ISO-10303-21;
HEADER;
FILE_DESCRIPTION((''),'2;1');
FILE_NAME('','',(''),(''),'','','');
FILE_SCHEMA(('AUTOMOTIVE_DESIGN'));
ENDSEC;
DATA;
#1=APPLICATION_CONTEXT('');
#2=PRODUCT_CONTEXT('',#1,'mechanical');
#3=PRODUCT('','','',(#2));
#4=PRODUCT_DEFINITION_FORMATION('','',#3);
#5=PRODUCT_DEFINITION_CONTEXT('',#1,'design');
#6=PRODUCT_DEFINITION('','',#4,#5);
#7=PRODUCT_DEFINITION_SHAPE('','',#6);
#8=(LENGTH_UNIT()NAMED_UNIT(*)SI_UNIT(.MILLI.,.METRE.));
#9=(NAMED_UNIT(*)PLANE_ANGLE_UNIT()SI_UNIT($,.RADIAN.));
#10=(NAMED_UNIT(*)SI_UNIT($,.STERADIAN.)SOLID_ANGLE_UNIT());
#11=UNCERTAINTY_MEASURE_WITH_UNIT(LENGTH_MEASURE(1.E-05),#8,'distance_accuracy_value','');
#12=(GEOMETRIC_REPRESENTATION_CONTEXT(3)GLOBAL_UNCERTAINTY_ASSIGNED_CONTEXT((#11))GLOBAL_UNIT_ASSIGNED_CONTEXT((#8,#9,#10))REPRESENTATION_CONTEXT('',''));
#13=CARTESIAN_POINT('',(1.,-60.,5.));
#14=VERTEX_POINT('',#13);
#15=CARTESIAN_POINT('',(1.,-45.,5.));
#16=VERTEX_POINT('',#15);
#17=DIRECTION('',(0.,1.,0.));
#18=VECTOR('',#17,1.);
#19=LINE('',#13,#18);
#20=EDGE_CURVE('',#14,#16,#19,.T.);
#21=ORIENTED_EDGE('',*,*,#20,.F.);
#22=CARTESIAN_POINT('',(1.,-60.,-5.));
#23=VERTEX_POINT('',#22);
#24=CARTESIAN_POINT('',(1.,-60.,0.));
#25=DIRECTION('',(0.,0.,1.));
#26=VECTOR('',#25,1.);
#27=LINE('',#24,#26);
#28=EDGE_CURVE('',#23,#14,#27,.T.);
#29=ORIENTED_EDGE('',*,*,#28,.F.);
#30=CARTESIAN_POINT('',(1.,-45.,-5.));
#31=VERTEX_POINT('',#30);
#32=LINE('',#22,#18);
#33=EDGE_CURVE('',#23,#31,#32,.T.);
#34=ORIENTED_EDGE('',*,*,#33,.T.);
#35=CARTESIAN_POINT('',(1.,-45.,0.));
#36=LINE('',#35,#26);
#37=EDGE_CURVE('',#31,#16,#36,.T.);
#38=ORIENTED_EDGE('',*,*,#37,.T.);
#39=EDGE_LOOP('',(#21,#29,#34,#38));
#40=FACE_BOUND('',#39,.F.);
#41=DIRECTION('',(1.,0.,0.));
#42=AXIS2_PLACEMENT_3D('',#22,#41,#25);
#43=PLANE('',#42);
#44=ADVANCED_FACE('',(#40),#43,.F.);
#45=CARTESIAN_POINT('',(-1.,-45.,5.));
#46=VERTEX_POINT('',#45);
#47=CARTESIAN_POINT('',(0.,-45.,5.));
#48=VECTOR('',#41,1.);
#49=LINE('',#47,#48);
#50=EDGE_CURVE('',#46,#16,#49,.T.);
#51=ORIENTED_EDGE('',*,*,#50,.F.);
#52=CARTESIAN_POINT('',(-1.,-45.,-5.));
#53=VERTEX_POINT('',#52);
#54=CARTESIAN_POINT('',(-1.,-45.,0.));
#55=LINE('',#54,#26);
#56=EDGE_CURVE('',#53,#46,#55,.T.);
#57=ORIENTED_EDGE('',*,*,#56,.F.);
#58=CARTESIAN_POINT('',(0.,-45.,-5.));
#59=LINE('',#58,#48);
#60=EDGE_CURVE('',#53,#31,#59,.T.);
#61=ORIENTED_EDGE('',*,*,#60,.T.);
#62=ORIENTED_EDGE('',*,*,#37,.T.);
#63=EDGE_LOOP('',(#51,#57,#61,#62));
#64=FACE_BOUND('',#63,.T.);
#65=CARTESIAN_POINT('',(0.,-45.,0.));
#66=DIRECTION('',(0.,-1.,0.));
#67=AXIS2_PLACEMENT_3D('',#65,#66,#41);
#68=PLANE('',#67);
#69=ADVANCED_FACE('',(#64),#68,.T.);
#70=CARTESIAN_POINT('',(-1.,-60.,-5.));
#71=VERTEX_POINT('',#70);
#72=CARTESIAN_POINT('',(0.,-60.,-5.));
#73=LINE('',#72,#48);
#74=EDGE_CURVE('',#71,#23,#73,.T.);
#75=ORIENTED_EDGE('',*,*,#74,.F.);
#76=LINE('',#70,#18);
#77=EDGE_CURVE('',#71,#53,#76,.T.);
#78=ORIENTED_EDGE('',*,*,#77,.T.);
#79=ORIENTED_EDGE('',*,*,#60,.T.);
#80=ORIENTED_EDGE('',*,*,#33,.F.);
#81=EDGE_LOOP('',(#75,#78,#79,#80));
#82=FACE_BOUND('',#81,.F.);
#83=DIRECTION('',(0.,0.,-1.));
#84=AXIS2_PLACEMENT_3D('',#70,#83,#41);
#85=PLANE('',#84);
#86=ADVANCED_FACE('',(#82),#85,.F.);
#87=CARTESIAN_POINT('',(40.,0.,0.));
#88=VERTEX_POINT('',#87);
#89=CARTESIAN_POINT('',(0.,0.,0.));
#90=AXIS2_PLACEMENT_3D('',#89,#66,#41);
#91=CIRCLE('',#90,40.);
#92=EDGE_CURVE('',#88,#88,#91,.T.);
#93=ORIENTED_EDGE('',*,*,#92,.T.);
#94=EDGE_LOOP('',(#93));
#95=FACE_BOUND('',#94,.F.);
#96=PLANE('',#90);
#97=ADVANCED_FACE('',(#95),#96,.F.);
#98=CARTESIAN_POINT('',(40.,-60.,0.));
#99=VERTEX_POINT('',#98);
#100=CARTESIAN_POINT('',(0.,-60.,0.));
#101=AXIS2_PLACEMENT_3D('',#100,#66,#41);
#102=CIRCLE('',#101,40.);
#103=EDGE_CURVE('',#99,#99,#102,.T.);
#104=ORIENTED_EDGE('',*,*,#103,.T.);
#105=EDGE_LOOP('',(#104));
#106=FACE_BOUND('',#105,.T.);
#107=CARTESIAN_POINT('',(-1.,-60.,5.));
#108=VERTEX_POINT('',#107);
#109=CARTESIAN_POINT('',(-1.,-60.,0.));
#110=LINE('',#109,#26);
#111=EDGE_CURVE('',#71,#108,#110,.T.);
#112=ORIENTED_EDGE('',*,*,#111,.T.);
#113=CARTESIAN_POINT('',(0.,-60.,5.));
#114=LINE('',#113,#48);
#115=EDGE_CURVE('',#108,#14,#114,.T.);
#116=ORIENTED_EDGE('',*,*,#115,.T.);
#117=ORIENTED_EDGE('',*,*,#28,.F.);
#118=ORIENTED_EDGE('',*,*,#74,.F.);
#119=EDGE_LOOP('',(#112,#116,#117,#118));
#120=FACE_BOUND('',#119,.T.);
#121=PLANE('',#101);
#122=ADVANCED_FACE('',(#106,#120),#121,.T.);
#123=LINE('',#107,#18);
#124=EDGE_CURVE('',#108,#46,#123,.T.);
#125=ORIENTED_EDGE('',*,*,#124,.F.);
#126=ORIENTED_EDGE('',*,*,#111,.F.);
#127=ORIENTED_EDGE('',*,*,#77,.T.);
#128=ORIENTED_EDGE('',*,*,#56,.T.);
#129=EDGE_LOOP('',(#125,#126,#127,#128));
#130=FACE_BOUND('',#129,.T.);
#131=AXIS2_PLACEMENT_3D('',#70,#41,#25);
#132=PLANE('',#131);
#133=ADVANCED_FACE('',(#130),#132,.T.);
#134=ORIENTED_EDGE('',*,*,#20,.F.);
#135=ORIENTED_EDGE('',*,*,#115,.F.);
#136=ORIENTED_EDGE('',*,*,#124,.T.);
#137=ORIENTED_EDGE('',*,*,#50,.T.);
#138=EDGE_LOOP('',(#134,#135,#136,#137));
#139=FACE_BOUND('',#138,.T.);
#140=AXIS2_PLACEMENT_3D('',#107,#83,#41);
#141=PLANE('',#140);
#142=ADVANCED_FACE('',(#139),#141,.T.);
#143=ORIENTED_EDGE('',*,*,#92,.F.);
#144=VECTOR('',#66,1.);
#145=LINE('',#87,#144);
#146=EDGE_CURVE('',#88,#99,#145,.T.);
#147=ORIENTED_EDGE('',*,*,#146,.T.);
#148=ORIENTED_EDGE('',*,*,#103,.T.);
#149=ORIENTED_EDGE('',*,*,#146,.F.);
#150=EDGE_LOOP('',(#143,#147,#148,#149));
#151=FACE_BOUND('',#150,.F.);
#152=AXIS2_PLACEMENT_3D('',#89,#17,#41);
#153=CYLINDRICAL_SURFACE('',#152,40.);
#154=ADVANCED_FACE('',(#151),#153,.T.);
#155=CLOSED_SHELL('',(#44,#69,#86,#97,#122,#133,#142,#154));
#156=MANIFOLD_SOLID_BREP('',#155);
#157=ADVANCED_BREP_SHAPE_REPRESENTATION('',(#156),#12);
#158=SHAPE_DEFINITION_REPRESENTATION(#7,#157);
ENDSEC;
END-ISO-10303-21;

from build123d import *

# Parameters (mm, degrees)
F0_R     = 40
F1_DEPTH = 60
F2_W     = 2
F2_H     = 10
F3_DEPTH = 15


with BuildPart() as f1:
    # F0 (on Front) → F1 (new body)
    with BuildSketch(Plane.XZ):
        Circle(F0_R)
    extrude(amount=F1_DEPTH)

    # F2 (on face) → F3 (cut)
    with BuildSketch(Plane.XZ.offset(60)):
        Rectangle(F2_W, F2_H)
    extrude(amount=-F3_DEPTH, mode=Mode.SUBTRACT)


solid = f1.part
